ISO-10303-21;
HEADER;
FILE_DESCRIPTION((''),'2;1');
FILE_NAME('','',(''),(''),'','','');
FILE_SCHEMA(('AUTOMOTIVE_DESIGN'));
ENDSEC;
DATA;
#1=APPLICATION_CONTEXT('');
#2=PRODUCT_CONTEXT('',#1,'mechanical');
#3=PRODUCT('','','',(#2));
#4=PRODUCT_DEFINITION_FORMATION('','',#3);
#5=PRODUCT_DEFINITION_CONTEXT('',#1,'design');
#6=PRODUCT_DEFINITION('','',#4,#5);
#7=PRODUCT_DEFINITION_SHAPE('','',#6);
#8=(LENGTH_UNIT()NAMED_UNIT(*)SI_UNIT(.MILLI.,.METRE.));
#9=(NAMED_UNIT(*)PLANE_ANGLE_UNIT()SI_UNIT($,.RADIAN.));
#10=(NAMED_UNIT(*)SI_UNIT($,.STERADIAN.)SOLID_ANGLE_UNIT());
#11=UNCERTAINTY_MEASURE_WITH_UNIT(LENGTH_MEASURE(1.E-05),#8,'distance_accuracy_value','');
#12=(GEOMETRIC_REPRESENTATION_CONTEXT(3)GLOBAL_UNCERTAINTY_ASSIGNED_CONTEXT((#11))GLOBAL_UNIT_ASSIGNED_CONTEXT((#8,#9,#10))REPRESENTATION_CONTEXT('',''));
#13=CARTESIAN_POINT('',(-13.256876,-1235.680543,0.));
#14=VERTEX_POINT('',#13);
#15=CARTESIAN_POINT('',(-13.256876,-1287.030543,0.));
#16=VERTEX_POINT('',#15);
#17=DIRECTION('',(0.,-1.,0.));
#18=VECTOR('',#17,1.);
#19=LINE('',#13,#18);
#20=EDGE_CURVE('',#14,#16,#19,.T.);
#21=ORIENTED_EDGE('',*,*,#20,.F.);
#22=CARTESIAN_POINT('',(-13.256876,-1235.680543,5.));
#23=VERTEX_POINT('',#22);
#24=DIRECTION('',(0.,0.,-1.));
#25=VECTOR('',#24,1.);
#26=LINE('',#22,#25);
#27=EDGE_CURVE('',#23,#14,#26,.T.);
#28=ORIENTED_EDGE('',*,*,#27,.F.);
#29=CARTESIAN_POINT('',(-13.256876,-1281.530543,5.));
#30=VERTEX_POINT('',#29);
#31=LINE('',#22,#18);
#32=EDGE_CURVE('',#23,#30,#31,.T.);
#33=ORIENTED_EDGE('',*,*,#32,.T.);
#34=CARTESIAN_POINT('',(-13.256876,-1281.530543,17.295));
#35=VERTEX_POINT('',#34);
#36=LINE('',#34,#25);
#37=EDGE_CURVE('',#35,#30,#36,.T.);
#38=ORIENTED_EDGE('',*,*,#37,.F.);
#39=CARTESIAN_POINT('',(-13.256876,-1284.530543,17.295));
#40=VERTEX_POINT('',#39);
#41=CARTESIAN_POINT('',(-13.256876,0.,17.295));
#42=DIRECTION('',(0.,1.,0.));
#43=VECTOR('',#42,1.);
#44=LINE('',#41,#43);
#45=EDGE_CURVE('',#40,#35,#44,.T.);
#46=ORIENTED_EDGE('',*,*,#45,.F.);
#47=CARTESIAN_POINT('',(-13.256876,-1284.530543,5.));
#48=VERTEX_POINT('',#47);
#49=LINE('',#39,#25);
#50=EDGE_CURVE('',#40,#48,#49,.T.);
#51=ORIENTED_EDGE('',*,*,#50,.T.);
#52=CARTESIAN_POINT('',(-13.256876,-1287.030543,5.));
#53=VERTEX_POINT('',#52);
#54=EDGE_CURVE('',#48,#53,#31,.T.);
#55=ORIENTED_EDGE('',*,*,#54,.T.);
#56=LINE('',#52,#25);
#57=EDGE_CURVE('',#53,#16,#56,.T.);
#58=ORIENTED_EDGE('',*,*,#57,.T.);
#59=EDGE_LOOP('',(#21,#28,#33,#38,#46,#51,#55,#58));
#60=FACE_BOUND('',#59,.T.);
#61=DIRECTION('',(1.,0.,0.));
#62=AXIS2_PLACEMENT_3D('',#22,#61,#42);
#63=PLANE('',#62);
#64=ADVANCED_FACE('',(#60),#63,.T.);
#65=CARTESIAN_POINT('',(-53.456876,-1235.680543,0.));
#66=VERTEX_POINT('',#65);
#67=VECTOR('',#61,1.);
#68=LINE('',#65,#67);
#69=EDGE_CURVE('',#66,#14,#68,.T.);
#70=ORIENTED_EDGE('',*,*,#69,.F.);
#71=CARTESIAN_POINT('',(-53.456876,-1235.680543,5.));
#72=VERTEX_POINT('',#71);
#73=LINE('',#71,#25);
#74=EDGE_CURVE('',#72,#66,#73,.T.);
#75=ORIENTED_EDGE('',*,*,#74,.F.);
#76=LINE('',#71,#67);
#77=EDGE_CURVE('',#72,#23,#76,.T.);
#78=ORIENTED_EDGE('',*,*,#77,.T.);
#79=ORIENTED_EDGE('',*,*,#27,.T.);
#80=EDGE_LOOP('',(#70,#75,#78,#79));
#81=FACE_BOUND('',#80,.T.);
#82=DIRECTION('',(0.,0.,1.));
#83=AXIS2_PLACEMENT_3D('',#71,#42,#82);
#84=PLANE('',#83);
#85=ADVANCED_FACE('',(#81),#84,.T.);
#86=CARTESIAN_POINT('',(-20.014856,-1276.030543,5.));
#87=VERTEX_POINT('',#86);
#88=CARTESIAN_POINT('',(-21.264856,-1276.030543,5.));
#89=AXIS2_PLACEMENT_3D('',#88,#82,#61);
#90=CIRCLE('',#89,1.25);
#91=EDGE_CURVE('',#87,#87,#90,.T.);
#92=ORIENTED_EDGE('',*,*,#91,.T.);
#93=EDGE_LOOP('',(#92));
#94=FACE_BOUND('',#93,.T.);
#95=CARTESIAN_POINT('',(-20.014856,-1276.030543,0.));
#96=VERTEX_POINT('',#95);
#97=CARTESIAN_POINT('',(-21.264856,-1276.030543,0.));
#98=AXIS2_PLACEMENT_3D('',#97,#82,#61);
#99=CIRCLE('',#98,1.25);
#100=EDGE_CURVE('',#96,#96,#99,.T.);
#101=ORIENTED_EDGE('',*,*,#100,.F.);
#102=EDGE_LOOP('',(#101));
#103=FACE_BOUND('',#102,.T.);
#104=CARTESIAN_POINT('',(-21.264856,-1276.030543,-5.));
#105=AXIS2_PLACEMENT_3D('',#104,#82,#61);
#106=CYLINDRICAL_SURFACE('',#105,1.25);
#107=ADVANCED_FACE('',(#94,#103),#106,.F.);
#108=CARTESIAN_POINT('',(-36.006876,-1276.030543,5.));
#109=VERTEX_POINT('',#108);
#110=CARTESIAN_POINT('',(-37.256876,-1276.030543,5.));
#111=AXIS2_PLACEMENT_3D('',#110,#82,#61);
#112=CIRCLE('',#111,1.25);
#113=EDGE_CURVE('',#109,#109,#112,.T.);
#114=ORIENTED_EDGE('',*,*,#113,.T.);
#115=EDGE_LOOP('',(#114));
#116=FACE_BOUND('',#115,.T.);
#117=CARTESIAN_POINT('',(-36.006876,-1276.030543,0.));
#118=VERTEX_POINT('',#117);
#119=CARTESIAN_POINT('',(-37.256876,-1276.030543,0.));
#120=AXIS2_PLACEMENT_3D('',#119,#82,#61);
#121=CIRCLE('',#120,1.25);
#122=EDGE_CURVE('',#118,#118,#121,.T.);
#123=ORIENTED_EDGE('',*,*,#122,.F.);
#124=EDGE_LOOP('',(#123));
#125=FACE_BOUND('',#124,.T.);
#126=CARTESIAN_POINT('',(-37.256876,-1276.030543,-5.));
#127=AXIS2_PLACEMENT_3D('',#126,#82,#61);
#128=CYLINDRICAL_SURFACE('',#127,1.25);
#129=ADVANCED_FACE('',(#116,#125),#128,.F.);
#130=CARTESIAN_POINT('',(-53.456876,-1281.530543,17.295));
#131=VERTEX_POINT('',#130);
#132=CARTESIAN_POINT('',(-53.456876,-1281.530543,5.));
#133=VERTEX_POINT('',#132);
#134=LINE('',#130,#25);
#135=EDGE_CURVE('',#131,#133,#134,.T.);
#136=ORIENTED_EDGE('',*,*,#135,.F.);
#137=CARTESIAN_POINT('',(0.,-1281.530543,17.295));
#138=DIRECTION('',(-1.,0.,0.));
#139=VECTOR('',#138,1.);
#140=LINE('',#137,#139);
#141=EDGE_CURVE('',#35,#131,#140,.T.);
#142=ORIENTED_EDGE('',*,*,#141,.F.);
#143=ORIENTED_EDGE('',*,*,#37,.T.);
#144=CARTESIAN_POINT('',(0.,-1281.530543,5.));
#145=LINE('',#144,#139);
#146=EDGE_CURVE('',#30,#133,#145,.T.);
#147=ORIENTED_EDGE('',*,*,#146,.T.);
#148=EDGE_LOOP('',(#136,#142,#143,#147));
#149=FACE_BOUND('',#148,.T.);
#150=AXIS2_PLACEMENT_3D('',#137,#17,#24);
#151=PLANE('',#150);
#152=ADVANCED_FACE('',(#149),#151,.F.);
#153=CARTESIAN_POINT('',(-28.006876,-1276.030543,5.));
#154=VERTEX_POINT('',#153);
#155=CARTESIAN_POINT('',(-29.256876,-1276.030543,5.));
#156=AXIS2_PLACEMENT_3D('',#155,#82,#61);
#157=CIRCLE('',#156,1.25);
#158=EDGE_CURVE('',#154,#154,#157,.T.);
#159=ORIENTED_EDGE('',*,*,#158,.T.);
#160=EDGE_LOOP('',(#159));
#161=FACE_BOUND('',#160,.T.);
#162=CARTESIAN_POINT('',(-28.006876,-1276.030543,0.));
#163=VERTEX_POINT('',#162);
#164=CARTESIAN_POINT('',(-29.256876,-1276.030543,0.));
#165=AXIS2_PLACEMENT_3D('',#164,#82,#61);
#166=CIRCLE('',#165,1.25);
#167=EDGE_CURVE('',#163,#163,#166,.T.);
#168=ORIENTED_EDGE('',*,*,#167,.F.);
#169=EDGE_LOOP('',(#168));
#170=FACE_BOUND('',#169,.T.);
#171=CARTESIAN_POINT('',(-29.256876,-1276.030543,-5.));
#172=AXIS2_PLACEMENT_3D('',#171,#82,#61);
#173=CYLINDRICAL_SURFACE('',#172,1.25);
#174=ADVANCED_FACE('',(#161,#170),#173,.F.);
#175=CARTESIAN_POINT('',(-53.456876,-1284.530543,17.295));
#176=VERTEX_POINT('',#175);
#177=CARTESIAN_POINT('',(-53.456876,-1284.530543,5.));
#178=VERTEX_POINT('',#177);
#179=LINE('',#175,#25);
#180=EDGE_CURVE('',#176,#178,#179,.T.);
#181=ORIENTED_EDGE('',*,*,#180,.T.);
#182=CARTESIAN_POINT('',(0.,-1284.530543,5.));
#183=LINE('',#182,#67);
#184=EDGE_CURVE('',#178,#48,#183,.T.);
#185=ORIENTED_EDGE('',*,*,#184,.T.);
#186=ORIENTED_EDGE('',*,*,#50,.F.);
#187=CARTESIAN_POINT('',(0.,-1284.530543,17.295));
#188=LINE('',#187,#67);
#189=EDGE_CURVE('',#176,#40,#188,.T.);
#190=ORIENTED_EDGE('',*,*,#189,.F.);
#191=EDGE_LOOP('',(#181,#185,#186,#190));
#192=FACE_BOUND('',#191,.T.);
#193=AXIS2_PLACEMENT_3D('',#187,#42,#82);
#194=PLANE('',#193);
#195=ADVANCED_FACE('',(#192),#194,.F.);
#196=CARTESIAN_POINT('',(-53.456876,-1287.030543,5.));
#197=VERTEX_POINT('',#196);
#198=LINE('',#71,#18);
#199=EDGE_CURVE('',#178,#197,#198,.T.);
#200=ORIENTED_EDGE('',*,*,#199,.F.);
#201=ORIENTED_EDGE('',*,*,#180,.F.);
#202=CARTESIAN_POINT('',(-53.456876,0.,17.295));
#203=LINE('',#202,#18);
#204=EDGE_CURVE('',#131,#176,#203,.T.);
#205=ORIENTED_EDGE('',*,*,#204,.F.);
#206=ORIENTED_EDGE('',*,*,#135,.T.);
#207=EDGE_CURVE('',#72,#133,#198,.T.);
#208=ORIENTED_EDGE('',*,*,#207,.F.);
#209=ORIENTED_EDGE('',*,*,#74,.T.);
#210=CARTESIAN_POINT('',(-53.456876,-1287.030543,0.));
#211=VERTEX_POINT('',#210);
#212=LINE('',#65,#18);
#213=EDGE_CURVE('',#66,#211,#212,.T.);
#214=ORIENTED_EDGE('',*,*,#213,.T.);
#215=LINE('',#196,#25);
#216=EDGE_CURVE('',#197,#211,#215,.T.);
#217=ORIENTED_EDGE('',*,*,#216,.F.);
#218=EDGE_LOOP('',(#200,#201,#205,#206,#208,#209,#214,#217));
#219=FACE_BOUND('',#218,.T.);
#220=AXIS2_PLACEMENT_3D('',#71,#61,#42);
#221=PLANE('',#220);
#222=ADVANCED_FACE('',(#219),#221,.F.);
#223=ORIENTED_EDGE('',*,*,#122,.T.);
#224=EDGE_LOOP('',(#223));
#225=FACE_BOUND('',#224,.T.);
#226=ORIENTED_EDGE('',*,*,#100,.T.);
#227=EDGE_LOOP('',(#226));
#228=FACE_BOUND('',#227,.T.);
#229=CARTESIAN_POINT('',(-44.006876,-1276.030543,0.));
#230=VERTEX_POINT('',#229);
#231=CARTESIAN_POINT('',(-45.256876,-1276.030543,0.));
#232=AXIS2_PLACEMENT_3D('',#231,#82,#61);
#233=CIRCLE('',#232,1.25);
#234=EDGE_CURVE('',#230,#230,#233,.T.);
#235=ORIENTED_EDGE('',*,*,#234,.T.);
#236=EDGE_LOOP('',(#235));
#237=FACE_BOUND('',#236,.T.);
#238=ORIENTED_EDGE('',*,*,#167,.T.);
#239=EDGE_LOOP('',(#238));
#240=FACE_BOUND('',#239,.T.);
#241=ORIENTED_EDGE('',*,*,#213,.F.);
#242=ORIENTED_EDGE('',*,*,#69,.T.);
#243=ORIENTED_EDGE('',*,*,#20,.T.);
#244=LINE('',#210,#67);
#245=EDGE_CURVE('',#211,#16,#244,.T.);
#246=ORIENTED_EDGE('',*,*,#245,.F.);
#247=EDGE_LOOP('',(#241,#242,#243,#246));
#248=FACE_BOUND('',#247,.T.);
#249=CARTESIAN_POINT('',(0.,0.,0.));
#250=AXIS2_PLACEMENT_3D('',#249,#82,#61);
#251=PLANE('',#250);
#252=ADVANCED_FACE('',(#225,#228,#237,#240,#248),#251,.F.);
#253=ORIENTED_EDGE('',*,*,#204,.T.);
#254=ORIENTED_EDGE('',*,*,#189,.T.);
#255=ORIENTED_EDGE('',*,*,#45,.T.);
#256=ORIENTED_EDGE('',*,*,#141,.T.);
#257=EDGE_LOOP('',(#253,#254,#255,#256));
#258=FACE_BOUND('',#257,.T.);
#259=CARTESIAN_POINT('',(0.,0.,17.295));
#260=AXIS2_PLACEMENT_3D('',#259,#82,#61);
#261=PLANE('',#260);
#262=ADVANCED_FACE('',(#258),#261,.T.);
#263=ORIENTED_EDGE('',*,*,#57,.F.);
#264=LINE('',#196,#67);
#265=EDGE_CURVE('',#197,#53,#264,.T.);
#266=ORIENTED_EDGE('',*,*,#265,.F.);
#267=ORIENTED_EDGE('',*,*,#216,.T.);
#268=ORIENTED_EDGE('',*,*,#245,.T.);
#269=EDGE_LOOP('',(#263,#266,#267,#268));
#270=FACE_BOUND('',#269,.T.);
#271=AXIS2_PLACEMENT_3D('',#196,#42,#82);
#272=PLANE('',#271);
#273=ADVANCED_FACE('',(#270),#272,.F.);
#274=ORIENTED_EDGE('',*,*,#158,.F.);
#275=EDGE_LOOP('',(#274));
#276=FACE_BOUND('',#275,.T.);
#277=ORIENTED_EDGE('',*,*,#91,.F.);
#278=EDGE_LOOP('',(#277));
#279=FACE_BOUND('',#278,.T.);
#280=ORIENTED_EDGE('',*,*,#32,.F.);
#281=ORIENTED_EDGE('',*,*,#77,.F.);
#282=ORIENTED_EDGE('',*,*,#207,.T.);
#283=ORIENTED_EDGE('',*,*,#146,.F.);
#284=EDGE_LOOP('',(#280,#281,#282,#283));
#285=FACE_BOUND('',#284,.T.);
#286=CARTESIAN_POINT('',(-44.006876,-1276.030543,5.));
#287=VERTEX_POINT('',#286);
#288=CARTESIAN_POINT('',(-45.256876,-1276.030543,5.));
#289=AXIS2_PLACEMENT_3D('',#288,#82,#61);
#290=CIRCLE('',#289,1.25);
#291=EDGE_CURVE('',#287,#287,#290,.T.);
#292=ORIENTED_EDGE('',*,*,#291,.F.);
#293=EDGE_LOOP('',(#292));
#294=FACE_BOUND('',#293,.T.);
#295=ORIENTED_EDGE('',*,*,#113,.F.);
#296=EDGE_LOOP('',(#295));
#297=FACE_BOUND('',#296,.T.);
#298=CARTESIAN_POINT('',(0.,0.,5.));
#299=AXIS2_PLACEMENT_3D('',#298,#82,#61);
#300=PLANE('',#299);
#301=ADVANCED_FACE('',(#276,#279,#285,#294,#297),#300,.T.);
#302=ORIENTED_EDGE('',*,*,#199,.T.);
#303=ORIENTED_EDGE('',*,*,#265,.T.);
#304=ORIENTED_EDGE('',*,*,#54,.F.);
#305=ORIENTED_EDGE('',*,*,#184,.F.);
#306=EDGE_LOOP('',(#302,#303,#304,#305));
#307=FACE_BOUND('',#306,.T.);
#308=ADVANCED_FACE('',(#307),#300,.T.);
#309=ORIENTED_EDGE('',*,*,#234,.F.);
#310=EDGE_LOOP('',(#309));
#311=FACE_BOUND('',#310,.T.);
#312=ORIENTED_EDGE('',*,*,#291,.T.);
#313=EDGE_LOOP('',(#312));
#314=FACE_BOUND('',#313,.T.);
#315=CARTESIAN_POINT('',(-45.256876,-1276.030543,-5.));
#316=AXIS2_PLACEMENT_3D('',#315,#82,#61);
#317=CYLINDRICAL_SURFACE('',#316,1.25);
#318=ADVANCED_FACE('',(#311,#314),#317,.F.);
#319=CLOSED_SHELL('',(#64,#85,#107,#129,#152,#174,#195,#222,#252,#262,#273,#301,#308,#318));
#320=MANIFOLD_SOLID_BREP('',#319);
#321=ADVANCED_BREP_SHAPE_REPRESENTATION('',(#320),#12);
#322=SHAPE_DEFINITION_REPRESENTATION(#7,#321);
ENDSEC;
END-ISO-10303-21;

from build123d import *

# Parameters (mm, degrees)
SKETCH1_W           = 40.2
SKETCH1_H           = 51.35
BOSS_EXTRUDE1_DEPTH = 5
BOSS_EXTRUDE2_DEPTH = 12.295
SKETCH4_R           = 1.249999996
SKETCH4_R_2         = 1.249999994
CUT_EXTRUDE1_DEPTH  = 10


with BuildPart() as part:
    # Sketch1 → Boss-Extrude1 (new body)
    with BuildSketch(Plane.XY):
        with Locations((-33.356876364, -1261.35554294)):
            Rectangle(SKETCH1_W, SKETCH1_H)
    extrude(amount=BOSS_EXTRUDE1_DEPTH)

    # Sketch2 → Boss-Extrude2 (add)
    with BuildSketch(Plane.XY.offset(5)):
        Polygon((-53.456876364, -1281.53054294), (-53.456876364, -1283.03054294), (-53.456876364, -1284.53054294), (-13.256876364, -1284.53054294), (-13.256876364, -1281.53054294), align=None)
    extrude(amount=BOSS_EXTRUDE2_DEPTH)

    # Sketch4 → Cut-Extrude1 (cut)
    with BuildSketch(Plane.XY.offset(5)):
        with Locations((-45.256876364, -1276.030542925)):
            Circle(SKETCH4_R)
        with Locations((-37.256876364, -1276.030542925)):
            Circle(SKETCH4_R_2)
        with Locations((-29.256876364, -1276.03054293)):
            Circle(SKETCH4_R)
        with Locations((-21.26485567, -1276.03054293)):
            Circle(SKETCH4_R)
    extrude(amount=-CUT_EXTRUDE1_DEPTH, mode=Mode.SUBTRACT)


solid = part.part
